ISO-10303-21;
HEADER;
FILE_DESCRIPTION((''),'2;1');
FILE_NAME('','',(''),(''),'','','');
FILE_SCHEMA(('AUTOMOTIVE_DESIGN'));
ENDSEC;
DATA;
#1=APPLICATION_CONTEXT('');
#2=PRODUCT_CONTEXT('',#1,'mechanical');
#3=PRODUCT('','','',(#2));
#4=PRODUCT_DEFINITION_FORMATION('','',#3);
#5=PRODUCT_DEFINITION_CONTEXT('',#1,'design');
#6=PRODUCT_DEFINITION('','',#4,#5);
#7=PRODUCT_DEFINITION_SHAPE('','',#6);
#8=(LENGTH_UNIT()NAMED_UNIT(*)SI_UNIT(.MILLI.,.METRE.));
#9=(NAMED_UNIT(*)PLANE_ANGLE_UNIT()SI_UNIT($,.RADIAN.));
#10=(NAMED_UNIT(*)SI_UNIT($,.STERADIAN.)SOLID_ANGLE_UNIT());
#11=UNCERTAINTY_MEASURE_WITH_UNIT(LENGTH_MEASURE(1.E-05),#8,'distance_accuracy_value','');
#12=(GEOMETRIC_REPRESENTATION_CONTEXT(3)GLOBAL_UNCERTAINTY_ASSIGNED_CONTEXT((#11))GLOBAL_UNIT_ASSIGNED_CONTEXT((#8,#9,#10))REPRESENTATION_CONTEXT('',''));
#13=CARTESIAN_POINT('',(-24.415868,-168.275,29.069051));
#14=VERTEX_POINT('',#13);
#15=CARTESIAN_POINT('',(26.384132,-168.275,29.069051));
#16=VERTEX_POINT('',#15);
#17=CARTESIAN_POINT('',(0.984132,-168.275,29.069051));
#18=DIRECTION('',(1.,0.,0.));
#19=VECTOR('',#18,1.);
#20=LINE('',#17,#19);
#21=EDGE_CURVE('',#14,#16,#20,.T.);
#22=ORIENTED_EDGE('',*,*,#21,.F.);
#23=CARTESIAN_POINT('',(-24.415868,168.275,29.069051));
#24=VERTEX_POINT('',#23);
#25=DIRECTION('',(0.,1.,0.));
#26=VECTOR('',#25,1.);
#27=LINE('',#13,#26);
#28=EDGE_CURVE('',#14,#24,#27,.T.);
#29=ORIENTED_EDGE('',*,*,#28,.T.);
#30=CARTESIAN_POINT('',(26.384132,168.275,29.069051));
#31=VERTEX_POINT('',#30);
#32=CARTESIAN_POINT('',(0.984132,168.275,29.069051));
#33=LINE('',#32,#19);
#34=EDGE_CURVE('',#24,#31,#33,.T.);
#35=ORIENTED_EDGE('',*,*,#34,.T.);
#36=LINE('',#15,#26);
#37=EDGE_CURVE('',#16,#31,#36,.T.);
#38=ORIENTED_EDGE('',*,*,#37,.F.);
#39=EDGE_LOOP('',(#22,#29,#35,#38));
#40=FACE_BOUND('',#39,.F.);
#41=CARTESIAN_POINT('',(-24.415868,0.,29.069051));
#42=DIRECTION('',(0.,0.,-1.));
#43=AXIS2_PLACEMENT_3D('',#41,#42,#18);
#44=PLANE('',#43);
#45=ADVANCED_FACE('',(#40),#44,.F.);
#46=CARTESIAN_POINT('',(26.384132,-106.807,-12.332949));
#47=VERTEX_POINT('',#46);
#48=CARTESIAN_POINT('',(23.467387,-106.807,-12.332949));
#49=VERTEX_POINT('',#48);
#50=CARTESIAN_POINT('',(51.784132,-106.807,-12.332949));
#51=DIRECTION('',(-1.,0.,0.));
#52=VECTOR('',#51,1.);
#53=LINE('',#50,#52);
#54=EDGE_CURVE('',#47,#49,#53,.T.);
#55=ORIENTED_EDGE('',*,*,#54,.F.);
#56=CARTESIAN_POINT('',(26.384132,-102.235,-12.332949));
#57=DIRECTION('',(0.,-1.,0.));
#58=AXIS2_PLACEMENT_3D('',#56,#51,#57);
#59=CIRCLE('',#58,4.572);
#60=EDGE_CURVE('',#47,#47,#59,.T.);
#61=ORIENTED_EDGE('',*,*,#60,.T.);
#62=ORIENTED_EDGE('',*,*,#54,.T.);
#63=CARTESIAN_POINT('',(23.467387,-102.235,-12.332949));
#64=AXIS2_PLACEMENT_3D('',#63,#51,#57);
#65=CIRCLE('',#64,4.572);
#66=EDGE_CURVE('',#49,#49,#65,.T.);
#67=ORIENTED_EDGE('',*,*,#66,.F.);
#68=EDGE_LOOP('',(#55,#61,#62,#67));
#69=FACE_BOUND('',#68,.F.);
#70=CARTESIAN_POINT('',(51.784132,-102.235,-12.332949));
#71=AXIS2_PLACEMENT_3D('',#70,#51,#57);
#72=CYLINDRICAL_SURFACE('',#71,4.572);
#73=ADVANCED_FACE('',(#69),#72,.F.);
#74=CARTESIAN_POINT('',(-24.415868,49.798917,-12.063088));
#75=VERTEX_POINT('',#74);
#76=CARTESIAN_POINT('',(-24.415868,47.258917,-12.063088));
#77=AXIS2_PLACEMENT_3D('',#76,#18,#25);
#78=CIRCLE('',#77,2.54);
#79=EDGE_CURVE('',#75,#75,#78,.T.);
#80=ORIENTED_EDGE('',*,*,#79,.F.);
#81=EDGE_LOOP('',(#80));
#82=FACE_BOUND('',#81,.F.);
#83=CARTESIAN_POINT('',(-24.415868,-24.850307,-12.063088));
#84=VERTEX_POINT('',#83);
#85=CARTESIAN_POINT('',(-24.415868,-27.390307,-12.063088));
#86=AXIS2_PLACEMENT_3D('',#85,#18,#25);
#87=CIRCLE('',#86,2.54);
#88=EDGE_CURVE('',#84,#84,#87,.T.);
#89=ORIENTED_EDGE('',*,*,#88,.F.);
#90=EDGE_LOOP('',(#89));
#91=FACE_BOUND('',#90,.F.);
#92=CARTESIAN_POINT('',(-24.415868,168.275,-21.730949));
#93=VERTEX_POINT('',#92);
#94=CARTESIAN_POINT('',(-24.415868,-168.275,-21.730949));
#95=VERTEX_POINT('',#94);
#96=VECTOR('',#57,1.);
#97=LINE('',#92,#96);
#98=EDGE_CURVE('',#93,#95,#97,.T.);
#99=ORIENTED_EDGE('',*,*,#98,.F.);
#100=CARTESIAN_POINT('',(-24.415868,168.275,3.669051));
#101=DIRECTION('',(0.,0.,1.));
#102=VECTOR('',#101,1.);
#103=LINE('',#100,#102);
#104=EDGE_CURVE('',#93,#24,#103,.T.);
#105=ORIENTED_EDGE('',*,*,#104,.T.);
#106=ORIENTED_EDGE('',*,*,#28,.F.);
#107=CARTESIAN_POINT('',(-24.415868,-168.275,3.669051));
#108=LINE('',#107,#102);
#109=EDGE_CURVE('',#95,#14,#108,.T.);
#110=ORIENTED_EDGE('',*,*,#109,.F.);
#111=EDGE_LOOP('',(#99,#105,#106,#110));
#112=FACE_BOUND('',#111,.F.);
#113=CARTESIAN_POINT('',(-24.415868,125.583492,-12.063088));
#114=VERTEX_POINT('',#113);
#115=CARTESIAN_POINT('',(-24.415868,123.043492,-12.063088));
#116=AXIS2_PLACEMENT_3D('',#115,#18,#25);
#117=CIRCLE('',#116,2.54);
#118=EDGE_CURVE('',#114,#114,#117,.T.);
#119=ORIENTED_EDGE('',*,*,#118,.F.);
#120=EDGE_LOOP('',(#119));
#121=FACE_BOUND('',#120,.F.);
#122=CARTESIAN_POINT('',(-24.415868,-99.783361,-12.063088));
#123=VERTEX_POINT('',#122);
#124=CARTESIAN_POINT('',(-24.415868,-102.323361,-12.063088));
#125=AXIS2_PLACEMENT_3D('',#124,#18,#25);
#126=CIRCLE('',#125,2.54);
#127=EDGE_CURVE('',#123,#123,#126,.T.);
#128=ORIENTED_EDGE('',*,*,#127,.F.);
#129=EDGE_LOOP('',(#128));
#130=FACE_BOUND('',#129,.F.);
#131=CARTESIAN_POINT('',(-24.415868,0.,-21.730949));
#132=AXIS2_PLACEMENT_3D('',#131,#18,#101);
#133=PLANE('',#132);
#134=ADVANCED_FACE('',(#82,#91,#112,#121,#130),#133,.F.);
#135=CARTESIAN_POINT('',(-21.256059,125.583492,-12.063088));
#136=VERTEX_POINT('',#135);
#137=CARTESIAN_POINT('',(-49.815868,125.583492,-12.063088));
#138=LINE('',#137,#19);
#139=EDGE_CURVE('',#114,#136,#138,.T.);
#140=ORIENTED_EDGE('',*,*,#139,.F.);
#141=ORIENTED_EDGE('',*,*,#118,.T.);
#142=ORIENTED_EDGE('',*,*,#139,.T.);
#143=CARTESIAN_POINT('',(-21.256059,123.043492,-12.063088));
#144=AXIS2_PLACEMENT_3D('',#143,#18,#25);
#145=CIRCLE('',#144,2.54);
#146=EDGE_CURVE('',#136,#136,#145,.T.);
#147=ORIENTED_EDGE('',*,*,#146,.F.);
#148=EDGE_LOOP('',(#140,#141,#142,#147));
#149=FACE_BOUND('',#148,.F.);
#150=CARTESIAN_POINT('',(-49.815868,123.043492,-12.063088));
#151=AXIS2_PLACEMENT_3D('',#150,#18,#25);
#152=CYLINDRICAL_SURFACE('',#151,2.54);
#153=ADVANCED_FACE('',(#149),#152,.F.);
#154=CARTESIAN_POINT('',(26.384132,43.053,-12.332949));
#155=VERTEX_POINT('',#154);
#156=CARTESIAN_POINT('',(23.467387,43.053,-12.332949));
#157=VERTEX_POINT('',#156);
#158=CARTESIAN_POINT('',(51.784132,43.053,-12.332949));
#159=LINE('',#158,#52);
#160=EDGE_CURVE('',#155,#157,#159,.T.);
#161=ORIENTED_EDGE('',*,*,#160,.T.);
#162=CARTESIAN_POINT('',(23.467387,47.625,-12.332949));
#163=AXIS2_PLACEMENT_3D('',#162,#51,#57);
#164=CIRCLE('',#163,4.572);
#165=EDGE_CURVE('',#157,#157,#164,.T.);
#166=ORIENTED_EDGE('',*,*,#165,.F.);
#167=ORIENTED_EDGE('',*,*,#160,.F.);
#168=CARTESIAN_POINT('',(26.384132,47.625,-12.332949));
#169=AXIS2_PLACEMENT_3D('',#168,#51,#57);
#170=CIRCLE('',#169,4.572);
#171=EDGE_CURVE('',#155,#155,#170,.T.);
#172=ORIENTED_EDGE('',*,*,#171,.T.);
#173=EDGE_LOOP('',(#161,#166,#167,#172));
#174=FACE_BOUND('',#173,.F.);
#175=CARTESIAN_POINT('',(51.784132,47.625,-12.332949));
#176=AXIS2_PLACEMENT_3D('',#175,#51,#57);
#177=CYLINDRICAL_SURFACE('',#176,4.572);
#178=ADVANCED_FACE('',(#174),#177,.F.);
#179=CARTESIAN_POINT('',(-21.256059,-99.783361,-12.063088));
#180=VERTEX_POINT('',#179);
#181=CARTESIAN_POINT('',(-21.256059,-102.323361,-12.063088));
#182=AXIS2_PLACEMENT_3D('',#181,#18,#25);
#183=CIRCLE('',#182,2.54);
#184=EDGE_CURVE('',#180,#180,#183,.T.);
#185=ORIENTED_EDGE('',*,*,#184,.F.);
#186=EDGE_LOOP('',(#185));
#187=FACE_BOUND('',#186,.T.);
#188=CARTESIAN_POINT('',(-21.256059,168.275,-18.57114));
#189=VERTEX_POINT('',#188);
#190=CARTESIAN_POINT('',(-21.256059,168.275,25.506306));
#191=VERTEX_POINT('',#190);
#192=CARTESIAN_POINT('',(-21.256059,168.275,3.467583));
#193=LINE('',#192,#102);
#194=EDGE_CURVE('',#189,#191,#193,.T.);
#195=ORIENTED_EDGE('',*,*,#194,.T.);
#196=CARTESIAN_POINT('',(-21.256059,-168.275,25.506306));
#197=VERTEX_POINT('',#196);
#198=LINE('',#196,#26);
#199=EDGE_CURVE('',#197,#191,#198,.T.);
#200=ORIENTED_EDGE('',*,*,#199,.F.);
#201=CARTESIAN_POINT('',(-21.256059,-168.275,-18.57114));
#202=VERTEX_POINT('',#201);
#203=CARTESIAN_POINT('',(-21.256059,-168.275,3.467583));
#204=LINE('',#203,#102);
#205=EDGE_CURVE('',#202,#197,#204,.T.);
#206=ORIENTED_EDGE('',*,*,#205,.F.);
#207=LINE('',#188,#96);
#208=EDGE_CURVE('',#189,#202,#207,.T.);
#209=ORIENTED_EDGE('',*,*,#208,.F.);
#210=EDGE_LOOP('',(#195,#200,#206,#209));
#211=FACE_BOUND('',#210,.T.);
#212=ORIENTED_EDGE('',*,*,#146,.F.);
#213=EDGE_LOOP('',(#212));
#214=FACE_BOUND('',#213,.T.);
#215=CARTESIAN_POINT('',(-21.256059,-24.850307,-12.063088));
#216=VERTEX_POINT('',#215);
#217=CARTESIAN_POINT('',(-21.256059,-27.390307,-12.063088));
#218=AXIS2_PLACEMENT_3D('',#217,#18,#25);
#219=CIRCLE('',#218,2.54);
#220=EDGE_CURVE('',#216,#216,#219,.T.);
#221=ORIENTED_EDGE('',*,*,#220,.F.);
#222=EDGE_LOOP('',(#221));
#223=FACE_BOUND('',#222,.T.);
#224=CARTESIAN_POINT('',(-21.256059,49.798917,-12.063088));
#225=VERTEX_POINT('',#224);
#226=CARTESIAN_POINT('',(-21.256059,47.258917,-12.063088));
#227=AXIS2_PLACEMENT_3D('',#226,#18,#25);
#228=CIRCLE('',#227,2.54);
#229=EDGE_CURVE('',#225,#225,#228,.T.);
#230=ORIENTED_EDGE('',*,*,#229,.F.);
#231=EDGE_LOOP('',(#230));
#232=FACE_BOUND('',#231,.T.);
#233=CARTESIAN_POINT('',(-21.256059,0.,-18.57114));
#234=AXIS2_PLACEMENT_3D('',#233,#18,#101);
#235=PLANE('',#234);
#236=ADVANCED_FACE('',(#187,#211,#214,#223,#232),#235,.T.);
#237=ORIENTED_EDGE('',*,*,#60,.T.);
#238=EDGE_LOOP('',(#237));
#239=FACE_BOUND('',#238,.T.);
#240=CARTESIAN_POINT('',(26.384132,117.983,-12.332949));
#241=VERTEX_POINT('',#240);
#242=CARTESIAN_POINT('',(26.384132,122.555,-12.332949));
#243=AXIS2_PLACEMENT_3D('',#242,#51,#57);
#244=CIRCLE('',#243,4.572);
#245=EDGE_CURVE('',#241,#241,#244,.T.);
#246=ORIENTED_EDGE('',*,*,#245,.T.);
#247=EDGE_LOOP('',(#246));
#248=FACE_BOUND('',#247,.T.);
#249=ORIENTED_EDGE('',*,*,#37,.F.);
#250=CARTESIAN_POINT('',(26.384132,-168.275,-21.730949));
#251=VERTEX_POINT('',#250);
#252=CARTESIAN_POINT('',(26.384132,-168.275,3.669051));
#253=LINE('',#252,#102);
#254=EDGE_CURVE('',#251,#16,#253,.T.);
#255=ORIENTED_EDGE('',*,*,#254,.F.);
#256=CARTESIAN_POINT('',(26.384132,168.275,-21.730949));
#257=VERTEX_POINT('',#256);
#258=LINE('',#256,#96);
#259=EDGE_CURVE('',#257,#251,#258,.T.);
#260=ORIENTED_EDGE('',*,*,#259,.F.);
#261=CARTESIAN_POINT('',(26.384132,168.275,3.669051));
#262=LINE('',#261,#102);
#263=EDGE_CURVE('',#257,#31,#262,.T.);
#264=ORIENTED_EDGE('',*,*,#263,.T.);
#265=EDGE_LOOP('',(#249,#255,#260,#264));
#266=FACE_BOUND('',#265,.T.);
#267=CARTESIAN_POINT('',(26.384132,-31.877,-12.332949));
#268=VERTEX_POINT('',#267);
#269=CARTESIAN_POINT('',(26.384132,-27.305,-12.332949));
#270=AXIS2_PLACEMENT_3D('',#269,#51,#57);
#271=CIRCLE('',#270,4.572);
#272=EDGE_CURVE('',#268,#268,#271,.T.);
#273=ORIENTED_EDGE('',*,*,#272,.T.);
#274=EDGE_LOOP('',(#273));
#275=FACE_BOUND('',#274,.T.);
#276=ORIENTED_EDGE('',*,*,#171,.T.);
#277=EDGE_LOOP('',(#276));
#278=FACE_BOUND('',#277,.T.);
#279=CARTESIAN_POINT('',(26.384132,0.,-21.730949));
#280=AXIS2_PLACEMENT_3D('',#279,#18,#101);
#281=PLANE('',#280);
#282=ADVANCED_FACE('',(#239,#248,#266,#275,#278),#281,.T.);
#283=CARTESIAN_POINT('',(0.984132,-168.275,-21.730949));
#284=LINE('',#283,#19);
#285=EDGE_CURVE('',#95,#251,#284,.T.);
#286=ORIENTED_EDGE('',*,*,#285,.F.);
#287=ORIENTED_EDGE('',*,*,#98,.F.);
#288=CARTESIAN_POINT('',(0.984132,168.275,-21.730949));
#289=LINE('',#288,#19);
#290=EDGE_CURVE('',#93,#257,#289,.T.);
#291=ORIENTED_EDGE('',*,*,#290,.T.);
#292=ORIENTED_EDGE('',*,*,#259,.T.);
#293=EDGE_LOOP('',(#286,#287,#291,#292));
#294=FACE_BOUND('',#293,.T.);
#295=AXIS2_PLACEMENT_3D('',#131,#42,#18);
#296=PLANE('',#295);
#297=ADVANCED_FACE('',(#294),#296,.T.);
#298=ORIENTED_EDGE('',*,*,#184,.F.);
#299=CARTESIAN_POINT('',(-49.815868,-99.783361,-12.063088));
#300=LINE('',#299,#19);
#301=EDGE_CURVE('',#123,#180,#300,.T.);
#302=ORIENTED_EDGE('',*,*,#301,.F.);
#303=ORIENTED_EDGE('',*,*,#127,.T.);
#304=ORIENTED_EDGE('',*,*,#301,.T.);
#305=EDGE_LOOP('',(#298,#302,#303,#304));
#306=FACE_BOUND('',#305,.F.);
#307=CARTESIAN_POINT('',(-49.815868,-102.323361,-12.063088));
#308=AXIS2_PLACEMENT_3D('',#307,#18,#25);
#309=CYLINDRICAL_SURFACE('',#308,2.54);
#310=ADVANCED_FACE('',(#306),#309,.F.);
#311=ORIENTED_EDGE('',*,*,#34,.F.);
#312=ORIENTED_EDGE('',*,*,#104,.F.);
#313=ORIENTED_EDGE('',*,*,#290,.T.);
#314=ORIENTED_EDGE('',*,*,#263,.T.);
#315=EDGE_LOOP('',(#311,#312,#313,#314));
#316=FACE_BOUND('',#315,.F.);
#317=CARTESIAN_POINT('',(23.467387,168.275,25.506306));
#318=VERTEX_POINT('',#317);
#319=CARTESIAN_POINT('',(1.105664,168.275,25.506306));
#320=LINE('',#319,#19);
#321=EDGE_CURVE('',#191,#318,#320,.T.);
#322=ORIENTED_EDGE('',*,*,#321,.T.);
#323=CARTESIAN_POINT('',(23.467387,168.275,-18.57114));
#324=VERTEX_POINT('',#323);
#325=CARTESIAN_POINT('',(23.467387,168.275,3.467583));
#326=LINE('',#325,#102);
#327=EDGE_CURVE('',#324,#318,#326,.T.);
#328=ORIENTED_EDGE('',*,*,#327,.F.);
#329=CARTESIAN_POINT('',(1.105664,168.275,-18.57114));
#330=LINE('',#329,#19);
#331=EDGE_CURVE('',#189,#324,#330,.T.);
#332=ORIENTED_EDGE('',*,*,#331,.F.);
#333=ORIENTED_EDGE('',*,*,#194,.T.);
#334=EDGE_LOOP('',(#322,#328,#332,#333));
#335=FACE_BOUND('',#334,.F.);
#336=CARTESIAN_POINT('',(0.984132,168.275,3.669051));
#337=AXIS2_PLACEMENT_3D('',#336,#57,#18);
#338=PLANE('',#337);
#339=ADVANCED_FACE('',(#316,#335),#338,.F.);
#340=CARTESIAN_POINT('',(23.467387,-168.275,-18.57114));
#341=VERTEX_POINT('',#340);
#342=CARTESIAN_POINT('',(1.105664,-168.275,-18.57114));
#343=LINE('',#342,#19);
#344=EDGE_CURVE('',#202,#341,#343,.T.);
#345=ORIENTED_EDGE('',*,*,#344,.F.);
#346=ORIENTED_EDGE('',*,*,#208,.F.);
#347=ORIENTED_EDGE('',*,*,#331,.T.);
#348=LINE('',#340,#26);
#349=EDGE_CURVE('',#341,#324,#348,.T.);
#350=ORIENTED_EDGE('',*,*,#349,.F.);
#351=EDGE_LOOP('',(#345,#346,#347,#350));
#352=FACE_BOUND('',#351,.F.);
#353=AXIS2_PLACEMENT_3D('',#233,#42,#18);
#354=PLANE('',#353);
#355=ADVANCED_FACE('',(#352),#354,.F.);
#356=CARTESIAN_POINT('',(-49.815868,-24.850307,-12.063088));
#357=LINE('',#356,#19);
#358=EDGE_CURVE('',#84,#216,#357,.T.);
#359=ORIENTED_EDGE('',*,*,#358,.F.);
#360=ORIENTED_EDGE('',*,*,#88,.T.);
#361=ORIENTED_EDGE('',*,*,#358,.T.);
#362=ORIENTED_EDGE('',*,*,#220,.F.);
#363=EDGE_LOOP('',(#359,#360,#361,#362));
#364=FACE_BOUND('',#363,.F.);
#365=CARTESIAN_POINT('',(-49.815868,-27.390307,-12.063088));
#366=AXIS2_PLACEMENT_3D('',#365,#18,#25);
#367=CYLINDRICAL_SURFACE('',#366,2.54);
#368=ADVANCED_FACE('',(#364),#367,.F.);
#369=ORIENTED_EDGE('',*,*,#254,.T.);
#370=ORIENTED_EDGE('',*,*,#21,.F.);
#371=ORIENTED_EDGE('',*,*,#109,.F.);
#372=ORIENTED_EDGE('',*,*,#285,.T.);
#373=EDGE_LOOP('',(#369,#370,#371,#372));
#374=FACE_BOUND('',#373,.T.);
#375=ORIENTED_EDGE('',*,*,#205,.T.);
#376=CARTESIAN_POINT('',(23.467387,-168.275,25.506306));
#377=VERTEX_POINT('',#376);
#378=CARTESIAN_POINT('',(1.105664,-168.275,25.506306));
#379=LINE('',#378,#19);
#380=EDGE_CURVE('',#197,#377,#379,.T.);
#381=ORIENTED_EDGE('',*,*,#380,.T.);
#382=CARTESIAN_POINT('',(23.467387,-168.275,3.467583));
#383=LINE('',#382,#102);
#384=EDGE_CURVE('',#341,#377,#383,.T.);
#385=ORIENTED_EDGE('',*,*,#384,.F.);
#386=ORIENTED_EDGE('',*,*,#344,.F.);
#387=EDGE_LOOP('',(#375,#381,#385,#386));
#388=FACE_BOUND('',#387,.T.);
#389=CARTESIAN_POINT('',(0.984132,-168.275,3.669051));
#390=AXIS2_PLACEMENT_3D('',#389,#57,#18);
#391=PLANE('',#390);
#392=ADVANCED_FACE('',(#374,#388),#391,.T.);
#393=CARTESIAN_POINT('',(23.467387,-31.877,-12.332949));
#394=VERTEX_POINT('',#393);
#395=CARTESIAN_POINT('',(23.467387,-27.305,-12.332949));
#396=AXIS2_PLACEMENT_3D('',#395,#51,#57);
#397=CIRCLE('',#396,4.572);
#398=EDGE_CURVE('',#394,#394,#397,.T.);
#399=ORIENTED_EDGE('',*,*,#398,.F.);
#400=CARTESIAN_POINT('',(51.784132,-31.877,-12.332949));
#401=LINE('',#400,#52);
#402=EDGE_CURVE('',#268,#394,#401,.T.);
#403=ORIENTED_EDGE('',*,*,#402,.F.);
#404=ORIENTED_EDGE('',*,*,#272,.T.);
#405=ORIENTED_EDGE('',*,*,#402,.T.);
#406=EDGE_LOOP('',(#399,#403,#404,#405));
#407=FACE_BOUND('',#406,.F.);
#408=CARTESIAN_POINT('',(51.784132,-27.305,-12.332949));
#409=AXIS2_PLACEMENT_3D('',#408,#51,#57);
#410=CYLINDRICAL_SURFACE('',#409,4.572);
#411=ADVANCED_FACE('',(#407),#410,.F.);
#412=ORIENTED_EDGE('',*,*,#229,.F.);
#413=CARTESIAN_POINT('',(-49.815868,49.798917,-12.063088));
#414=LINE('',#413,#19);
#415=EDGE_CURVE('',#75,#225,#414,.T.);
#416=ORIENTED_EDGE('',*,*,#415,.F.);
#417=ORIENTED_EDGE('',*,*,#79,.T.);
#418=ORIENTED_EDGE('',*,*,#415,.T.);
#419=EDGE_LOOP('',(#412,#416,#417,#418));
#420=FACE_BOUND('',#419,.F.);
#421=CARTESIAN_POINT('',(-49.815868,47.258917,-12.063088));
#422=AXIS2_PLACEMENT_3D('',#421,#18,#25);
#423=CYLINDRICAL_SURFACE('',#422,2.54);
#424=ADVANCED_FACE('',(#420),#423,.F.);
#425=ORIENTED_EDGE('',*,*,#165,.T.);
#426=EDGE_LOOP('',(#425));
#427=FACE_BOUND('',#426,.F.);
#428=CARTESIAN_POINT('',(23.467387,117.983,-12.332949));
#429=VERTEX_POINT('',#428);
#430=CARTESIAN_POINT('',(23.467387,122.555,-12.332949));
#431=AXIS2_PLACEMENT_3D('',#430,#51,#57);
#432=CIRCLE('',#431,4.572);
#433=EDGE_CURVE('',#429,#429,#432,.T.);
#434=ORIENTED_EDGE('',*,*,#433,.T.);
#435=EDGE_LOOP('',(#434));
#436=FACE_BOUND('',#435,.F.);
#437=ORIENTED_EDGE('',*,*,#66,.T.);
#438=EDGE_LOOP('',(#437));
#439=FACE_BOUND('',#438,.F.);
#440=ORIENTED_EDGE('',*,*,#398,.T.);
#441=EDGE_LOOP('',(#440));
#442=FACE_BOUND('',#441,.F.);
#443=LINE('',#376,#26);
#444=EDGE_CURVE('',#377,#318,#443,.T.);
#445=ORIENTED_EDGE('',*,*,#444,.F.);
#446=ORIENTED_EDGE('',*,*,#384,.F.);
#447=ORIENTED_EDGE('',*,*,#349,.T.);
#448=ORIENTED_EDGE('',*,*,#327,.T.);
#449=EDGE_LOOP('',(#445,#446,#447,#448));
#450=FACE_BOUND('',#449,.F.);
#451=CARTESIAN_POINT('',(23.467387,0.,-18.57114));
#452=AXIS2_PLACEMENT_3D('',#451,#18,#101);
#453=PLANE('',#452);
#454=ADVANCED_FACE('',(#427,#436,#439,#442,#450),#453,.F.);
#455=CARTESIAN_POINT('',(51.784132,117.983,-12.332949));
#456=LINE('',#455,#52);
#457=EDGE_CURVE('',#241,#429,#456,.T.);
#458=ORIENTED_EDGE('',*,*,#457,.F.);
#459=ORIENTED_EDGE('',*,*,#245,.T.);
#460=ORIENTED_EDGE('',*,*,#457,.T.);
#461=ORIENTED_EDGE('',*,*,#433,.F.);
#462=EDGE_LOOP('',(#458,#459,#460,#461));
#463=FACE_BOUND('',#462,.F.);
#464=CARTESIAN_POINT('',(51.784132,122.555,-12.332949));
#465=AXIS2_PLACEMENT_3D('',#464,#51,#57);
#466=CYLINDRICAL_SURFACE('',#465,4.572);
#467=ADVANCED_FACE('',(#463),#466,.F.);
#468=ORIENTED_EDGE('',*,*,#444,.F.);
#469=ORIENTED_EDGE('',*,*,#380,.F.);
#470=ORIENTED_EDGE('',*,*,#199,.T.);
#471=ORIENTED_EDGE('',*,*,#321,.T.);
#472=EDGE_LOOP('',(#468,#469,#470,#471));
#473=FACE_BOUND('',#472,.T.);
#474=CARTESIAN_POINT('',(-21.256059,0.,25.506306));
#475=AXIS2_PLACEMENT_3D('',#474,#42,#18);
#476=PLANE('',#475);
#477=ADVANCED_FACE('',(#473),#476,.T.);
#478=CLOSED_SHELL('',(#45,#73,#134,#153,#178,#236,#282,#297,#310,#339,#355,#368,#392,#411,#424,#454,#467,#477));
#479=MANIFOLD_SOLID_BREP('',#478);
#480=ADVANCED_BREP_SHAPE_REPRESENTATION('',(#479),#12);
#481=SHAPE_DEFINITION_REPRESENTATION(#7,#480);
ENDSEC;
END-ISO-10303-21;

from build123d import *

# Parameters (mm, degrees)
F0_W     = 50.8
F0_H     = 50.8
F0_W_2   = 44.7234460877
F0_H_2   = 44.0774458626
F1_DEPTH = 168.275
F3_D     = 9.144
F3_DEPTH = 25.4
F3_TIP   = 2.7471347502
F5_D     = 5.08
F5_DEPTH = 25.4
F5_TIP   = 1.5261859723


with BuildPart() as f1:
    # F0 (on Front) → F1 (new body, symmetric)
    with BuildSketch(Plane.XZ):
        with Locations((0.9841322899, 3.6690509832)):
            Rectangle(F0_W, F0_H)
        with Locations((1.1056640122, 3.467582593)):
            Rectangle(F0_W_2, F0_H_2, mode=Mode.SUBTRACT)
    extrude(amount=F1_DEPTH, both=True)

    # F3
    with Locations(Plane.YZ.offset(26.3841322899)):
        with Locations((-102.235, -12.3329490168), (-27.305, -12.3329490168), (47.625, -12.3329490168), (122.555, -12.3329490168)):
            Hole(F3_D / 2, depth=F3_DEPTH)
            with Locations((0, 0, -(F3_DEPTH + F3_TIP / 2))):  # 118° drill point
                Cone(0, F3_D / 2, F3_TIP, mode=Mode.SUBTRACT)

    # F5
    with Locations(Plane(origin=(-24.4158677101, 0, 0), x_dir=(0, -1, 0), z_dir=(-1, 0, 0))):
        with Locations((-123.0434924364, -12.0630878955), (-47.2589172423, -12.0630878955), (27.3903068155, -12.0630878955), (102.3233607411, -12.0630878955)):
            Hole(F5_D / 2, depth=F5_DEPTH)
            with Locations((0, 0, -(F5_DEPTH + F5_TIP / 2))):  # 118° drill point
                Cone(0, F5_D / 2, F5_TIP, mode=Mode.SUBTRACT)


solid = f1.part
